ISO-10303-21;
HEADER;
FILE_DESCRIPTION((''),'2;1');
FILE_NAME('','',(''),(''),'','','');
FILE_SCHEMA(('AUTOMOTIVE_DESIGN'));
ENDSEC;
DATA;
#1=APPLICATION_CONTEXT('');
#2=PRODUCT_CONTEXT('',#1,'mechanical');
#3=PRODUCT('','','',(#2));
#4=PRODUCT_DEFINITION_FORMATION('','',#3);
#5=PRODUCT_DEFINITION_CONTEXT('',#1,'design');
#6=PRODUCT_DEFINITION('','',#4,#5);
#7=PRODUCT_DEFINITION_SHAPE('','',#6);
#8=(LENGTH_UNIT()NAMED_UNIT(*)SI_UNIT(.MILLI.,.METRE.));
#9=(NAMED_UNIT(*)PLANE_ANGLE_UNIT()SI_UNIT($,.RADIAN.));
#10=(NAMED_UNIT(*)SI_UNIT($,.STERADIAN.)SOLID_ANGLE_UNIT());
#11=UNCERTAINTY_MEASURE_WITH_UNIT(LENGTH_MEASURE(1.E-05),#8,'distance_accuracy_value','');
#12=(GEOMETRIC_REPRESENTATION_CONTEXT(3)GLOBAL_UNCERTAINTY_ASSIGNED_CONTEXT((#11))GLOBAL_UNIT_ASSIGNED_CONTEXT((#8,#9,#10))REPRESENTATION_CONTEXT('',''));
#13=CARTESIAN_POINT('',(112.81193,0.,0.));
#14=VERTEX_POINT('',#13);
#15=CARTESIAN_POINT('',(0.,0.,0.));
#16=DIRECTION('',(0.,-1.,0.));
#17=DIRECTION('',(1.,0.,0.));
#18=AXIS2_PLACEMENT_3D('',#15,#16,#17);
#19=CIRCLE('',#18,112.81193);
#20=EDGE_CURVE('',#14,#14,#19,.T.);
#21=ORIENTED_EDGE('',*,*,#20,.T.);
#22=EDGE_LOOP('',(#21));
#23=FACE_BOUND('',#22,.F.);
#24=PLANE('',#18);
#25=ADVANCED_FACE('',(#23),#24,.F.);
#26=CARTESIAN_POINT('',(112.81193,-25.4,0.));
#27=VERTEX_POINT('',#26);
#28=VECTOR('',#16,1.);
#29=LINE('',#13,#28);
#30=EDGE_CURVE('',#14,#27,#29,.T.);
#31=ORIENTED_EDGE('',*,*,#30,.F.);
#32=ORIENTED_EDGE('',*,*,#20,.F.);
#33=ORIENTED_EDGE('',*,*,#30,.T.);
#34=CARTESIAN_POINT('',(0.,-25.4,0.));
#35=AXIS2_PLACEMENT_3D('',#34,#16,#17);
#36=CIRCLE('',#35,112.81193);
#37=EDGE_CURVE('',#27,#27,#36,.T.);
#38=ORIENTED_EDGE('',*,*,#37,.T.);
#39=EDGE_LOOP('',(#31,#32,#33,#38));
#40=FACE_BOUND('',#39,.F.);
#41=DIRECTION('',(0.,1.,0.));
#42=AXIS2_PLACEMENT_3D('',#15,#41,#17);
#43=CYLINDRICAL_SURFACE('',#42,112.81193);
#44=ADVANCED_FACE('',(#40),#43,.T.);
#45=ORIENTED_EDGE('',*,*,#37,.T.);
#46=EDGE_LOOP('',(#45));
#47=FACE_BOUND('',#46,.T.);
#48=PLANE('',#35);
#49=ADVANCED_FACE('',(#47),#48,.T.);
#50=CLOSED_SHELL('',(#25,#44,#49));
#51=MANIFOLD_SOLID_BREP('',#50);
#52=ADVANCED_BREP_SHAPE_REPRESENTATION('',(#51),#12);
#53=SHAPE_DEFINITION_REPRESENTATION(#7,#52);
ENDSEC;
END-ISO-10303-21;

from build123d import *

# Parameters (mm, degrees)
F0_R     = 112.81193
F1_DEPTH = 25.4
F2_DEPTH = 25.4


with BuildPart() as f1:
    # F0 (on Front) → F1 (new body)
    with BuildSketch(Plane.XZ):
        Circle(F0_R)
    extrude(amount=F1_DEPTH)

    # F0 (on Front) → F2 (join)
    with BuildSketch(Plane.XZ):
        Circle(F0_R)
    extrude(amount=F2_DEPTH)


solid = f1.part
